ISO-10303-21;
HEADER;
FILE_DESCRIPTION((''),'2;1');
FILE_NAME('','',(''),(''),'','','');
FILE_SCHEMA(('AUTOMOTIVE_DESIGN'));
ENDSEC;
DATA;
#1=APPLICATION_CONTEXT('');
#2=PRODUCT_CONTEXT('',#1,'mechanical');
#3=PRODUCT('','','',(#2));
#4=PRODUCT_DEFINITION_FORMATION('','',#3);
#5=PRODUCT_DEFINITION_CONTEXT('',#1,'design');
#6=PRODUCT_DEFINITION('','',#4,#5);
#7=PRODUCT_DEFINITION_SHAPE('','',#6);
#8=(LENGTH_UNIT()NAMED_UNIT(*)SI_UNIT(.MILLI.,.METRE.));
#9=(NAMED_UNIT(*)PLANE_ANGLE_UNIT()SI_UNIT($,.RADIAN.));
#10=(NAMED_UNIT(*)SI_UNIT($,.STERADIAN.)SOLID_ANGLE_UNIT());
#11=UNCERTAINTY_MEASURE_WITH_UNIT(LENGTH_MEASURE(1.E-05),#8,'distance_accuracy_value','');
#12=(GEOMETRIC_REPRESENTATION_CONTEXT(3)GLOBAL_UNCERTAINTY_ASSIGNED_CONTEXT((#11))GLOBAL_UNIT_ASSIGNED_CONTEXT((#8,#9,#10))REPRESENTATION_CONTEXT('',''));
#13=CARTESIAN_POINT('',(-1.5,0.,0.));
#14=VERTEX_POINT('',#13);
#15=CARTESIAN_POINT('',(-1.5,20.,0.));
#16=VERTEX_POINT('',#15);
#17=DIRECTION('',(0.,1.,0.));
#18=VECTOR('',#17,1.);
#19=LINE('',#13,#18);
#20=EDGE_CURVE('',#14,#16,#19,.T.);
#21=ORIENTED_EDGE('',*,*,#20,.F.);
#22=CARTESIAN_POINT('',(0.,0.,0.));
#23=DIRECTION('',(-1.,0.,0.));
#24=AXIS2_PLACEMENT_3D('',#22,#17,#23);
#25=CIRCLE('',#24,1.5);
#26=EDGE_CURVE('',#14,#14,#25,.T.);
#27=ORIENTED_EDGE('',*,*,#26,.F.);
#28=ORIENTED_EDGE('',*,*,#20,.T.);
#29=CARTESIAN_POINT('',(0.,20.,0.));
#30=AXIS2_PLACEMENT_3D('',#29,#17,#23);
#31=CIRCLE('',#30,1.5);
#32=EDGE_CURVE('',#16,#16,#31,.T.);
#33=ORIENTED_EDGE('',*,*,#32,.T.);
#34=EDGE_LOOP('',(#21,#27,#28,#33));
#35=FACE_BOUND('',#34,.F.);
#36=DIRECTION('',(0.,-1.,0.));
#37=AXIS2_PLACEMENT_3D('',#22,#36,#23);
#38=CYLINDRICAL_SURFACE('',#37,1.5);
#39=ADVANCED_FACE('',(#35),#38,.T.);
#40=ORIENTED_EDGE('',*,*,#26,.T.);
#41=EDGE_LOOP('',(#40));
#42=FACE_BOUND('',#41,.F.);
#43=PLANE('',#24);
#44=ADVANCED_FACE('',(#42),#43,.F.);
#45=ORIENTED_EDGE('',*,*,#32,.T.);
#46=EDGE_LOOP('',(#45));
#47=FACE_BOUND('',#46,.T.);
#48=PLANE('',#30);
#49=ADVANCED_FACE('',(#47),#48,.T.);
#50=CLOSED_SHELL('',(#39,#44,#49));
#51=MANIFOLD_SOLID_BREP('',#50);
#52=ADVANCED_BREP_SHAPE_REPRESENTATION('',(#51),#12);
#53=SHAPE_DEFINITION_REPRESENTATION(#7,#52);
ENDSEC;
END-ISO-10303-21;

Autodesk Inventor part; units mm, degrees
ref_plane "YZ Plane" through (0, 0, 0) normal (1, 0, 0) x (0, 1, 0)
ref_plane "XZ Plane" through (0, 0, 0) normal (0, 1, 0) x (-1, 0, 0)
ref_plane "XY Plane" through (0, 0, 0) normal (0, 0, 1) x (1, 0, 0)
sketch "Boceto1" plane through (0, 0, 0) normal (0, 1, 0) x (-1, 0, 0)
  circle A0 centre (0, 0) radius 1.5
  dimension "d0" = 3
extrude "Extrusión1" add sketch "Boceto1" along normal blind 20
properties part number "piu"
